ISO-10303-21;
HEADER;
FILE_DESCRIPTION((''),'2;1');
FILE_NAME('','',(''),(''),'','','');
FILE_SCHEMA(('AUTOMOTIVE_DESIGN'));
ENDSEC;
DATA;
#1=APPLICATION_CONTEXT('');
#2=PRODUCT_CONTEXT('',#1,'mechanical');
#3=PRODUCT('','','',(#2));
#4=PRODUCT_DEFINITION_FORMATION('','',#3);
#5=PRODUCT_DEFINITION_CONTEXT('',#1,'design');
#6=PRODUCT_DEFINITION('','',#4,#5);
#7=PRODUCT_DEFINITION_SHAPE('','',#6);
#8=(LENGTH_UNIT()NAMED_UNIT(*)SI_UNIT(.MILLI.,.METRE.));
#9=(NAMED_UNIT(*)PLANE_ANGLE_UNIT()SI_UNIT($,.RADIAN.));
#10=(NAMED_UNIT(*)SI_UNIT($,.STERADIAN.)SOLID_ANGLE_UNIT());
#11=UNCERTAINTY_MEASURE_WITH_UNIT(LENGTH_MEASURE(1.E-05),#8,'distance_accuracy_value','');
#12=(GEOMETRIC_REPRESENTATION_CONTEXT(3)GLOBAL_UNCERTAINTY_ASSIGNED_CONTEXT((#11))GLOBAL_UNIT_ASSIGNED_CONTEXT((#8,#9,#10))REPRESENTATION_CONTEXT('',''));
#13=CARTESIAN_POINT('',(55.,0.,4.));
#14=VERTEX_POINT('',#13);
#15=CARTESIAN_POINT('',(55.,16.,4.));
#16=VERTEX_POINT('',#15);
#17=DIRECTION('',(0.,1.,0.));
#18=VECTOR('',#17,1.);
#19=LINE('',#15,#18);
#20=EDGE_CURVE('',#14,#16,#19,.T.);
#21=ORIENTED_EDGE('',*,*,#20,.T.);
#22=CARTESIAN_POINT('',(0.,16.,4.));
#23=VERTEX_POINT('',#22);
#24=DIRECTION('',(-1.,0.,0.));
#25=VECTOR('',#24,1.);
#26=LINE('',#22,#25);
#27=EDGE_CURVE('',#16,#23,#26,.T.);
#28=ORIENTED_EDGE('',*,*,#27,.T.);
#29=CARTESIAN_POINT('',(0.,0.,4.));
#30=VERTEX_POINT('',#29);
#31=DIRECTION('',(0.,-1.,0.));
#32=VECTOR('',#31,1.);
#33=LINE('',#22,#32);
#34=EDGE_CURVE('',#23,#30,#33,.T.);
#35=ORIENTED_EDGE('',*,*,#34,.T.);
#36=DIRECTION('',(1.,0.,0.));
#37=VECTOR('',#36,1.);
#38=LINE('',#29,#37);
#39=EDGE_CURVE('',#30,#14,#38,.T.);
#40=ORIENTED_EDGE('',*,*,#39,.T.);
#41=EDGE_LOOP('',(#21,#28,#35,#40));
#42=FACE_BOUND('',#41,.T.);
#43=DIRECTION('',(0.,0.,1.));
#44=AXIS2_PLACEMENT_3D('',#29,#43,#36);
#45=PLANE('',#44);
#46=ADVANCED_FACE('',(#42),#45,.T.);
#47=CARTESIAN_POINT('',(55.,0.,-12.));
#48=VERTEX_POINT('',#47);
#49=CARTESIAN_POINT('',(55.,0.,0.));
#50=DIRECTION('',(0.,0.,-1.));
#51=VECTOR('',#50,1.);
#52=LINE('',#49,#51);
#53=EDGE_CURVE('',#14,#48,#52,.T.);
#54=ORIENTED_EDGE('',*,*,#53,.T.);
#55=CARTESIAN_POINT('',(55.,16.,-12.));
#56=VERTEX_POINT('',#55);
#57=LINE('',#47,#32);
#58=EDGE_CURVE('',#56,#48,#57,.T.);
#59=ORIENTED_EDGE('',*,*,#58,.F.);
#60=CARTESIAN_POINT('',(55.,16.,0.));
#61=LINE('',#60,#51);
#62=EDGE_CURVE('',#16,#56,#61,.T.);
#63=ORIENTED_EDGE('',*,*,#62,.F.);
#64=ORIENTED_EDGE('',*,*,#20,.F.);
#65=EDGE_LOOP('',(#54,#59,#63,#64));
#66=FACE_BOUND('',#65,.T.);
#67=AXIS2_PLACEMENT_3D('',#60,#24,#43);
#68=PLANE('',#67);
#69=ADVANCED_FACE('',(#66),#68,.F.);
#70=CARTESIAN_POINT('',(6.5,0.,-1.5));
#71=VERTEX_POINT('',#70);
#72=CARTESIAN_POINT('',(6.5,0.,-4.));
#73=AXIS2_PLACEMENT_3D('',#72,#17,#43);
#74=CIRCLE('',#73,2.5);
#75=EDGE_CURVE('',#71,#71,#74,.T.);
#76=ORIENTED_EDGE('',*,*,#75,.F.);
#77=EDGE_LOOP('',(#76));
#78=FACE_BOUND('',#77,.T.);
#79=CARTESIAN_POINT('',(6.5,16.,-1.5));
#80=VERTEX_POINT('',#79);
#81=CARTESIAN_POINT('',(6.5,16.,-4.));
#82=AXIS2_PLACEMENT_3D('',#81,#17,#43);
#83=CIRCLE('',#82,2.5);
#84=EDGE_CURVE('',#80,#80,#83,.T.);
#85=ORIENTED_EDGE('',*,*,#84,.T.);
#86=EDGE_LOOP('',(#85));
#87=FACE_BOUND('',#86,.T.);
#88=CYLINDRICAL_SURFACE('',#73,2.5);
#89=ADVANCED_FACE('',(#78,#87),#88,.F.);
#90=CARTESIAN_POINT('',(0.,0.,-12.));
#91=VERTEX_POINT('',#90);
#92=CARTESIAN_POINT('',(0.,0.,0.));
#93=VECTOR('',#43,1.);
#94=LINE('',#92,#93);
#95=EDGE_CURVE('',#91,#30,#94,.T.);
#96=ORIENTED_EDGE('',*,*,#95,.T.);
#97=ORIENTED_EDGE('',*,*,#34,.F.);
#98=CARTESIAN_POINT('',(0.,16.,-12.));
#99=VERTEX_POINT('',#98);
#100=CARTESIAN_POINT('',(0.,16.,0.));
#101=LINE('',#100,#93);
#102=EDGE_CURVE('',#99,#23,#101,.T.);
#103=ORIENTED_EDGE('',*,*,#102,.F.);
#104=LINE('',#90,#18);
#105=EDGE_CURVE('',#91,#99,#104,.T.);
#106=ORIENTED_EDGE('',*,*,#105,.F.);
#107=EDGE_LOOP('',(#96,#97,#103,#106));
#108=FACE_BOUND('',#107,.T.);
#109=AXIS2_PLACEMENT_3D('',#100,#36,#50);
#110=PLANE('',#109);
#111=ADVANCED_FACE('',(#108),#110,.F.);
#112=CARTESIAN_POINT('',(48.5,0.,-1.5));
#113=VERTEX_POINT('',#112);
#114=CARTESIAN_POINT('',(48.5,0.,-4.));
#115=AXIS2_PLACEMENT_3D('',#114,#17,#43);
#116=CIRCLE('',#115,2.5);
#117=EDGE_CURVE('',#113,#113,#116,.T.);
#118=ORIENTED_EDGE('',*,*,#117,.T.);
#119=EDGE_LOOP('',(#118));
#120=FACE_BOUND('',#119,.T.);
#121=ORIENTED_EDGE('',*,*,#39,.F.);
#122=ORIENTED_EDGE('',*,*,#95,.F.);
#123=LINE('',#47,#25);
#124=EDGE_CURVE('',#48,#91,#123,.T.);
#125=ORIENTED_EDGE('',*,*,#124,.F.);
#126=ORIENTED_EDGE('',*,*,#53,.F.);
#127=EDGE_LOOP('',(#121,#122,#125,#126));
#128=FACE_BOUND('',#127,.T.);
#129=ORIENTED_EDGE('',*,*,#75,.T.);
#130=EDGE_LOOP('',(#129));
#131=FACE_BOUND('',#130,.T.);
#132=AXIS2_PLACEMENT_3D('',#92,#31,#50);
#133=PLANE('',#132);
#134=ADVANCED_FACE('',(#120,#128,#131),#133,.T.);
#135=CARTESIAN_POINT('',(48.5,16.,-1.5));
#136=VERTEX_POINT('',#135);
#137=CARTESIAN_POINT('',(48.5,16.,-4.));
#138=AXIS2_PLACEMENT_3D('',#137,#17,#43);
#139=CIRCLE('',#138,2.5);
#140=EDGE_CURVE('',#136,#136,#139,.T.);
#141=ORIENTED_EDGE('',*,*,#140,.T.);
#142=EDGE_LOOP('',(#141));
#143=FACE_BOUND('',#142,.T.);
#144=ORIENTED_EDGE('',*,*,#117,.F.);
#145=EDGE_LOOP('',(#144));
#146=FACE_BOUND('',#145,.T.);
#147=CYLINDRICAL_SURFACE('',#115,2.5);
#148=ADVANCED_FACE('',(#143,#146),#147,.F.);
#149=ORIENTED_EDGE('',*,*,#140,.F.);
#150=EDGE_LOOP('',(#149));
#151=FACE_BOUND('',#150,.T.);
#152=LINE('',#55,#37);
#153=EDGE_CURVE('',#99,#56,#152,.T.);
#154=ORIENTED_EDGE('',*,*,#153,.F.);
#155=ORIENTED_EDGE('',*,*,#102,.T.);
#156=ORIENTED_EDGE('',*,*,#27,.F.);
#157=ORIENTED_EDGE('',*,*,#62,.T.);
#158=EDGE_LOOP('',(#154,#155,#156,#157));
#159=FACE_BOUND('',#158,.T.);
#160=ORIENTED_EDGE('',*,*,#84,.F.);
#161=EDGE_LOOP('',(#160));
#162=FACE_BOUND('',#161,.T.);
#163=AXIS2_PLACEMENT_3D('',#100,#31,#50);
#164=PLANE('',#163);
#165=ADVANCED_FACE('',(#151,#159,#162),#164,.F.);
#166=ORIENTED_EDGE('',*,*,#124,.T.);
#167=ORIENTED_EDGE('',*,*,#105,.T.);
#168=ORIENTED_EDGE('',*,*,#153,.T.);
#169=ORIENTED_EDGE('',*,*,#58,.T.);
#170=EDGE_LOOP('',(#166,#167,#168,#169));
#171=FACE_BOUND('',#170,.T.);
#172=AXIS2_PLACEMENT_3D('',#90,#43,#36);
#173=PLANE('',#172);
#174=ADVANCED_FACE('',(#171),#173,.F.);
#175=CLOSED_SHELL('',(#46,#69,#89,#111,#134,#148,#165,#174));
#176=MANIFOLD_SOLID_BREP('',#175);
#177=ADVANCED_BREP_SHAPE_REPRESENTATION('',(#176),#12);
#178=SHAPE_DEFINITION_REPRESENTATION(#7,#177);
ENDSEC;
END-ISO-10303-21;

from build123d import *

# Parameters (mm, degrees)
SKETCH1_W           = 55
SKETCH1_H           = 8
BOSS_EXTRUDE1_DEPTH = 16
SKETCH2_R           = 2.5
CUT_EXTRUDE1_DEPTH  = 16
SKETCH3_W           = 55
SKETCH3_H           = 16
BOSS_EXTRUDE2_DEPTH = 4
SKETCH4_W           = 55
SKETCH4_H           = 16
BOSS_EXTRUDE3_DEPTH = 4


with BuildPart() as part:
    # Sketch1 → Boss-Extrude1 (new body)
    with BuildSketch(Plane(origin=(0, 0, 0), x_dir=(1, 0, 0), z_dir=(0, 1, 0))):
        with Locations((27.5, 4)):
            Rectangle(SKETCH1_W, SKETCH1_H)
    extrude(amount=BOSS_EXTRUDE1_DEPTH)

    # Sketch2 → Cut-Extrude1 (cut)
    with BuildSketch(Plane(origin=(0, 16, 0), x_dir=(1, 0, 0), z_dir=(0, 1, 0))):
        with Locations(Location((6.5, 4, 0), (0, 0, 270))):
            Circle(SKETCH2_R)
        with Locations(Location((48.5, 4, 0), (0, 0, 270))):
            Circle(SKETCH2_R)
    extrude(amount=-CUT_EXTRUDE1_DEPTH, mode=Mode.SUBTRACT)

    # Sketch3 → Boss-Extrude2 (add)
    with BuildSketch(Plane.XY):
        with Locations((27.5, 8)):
            Rectangle(SKETCH3_W, SKETCH3_H)
    extrude(amount=BOSS_EXTRUDE2_DEPTH)

    # Sketch4 → Boss-Extrude3 (add)
    with BuildSketch(Plane(origin=(0, 0, -8), x_dir=(-1, 0, 0), z_dir=(0, 0, -1))):
        with Locations((-27.5, 8)):
            Rectangle(SKETCH4_W, SKETCH4_H)
    extrude(amount=BOSS_EXTRUDE3_DEPTH)


solid = part.part
